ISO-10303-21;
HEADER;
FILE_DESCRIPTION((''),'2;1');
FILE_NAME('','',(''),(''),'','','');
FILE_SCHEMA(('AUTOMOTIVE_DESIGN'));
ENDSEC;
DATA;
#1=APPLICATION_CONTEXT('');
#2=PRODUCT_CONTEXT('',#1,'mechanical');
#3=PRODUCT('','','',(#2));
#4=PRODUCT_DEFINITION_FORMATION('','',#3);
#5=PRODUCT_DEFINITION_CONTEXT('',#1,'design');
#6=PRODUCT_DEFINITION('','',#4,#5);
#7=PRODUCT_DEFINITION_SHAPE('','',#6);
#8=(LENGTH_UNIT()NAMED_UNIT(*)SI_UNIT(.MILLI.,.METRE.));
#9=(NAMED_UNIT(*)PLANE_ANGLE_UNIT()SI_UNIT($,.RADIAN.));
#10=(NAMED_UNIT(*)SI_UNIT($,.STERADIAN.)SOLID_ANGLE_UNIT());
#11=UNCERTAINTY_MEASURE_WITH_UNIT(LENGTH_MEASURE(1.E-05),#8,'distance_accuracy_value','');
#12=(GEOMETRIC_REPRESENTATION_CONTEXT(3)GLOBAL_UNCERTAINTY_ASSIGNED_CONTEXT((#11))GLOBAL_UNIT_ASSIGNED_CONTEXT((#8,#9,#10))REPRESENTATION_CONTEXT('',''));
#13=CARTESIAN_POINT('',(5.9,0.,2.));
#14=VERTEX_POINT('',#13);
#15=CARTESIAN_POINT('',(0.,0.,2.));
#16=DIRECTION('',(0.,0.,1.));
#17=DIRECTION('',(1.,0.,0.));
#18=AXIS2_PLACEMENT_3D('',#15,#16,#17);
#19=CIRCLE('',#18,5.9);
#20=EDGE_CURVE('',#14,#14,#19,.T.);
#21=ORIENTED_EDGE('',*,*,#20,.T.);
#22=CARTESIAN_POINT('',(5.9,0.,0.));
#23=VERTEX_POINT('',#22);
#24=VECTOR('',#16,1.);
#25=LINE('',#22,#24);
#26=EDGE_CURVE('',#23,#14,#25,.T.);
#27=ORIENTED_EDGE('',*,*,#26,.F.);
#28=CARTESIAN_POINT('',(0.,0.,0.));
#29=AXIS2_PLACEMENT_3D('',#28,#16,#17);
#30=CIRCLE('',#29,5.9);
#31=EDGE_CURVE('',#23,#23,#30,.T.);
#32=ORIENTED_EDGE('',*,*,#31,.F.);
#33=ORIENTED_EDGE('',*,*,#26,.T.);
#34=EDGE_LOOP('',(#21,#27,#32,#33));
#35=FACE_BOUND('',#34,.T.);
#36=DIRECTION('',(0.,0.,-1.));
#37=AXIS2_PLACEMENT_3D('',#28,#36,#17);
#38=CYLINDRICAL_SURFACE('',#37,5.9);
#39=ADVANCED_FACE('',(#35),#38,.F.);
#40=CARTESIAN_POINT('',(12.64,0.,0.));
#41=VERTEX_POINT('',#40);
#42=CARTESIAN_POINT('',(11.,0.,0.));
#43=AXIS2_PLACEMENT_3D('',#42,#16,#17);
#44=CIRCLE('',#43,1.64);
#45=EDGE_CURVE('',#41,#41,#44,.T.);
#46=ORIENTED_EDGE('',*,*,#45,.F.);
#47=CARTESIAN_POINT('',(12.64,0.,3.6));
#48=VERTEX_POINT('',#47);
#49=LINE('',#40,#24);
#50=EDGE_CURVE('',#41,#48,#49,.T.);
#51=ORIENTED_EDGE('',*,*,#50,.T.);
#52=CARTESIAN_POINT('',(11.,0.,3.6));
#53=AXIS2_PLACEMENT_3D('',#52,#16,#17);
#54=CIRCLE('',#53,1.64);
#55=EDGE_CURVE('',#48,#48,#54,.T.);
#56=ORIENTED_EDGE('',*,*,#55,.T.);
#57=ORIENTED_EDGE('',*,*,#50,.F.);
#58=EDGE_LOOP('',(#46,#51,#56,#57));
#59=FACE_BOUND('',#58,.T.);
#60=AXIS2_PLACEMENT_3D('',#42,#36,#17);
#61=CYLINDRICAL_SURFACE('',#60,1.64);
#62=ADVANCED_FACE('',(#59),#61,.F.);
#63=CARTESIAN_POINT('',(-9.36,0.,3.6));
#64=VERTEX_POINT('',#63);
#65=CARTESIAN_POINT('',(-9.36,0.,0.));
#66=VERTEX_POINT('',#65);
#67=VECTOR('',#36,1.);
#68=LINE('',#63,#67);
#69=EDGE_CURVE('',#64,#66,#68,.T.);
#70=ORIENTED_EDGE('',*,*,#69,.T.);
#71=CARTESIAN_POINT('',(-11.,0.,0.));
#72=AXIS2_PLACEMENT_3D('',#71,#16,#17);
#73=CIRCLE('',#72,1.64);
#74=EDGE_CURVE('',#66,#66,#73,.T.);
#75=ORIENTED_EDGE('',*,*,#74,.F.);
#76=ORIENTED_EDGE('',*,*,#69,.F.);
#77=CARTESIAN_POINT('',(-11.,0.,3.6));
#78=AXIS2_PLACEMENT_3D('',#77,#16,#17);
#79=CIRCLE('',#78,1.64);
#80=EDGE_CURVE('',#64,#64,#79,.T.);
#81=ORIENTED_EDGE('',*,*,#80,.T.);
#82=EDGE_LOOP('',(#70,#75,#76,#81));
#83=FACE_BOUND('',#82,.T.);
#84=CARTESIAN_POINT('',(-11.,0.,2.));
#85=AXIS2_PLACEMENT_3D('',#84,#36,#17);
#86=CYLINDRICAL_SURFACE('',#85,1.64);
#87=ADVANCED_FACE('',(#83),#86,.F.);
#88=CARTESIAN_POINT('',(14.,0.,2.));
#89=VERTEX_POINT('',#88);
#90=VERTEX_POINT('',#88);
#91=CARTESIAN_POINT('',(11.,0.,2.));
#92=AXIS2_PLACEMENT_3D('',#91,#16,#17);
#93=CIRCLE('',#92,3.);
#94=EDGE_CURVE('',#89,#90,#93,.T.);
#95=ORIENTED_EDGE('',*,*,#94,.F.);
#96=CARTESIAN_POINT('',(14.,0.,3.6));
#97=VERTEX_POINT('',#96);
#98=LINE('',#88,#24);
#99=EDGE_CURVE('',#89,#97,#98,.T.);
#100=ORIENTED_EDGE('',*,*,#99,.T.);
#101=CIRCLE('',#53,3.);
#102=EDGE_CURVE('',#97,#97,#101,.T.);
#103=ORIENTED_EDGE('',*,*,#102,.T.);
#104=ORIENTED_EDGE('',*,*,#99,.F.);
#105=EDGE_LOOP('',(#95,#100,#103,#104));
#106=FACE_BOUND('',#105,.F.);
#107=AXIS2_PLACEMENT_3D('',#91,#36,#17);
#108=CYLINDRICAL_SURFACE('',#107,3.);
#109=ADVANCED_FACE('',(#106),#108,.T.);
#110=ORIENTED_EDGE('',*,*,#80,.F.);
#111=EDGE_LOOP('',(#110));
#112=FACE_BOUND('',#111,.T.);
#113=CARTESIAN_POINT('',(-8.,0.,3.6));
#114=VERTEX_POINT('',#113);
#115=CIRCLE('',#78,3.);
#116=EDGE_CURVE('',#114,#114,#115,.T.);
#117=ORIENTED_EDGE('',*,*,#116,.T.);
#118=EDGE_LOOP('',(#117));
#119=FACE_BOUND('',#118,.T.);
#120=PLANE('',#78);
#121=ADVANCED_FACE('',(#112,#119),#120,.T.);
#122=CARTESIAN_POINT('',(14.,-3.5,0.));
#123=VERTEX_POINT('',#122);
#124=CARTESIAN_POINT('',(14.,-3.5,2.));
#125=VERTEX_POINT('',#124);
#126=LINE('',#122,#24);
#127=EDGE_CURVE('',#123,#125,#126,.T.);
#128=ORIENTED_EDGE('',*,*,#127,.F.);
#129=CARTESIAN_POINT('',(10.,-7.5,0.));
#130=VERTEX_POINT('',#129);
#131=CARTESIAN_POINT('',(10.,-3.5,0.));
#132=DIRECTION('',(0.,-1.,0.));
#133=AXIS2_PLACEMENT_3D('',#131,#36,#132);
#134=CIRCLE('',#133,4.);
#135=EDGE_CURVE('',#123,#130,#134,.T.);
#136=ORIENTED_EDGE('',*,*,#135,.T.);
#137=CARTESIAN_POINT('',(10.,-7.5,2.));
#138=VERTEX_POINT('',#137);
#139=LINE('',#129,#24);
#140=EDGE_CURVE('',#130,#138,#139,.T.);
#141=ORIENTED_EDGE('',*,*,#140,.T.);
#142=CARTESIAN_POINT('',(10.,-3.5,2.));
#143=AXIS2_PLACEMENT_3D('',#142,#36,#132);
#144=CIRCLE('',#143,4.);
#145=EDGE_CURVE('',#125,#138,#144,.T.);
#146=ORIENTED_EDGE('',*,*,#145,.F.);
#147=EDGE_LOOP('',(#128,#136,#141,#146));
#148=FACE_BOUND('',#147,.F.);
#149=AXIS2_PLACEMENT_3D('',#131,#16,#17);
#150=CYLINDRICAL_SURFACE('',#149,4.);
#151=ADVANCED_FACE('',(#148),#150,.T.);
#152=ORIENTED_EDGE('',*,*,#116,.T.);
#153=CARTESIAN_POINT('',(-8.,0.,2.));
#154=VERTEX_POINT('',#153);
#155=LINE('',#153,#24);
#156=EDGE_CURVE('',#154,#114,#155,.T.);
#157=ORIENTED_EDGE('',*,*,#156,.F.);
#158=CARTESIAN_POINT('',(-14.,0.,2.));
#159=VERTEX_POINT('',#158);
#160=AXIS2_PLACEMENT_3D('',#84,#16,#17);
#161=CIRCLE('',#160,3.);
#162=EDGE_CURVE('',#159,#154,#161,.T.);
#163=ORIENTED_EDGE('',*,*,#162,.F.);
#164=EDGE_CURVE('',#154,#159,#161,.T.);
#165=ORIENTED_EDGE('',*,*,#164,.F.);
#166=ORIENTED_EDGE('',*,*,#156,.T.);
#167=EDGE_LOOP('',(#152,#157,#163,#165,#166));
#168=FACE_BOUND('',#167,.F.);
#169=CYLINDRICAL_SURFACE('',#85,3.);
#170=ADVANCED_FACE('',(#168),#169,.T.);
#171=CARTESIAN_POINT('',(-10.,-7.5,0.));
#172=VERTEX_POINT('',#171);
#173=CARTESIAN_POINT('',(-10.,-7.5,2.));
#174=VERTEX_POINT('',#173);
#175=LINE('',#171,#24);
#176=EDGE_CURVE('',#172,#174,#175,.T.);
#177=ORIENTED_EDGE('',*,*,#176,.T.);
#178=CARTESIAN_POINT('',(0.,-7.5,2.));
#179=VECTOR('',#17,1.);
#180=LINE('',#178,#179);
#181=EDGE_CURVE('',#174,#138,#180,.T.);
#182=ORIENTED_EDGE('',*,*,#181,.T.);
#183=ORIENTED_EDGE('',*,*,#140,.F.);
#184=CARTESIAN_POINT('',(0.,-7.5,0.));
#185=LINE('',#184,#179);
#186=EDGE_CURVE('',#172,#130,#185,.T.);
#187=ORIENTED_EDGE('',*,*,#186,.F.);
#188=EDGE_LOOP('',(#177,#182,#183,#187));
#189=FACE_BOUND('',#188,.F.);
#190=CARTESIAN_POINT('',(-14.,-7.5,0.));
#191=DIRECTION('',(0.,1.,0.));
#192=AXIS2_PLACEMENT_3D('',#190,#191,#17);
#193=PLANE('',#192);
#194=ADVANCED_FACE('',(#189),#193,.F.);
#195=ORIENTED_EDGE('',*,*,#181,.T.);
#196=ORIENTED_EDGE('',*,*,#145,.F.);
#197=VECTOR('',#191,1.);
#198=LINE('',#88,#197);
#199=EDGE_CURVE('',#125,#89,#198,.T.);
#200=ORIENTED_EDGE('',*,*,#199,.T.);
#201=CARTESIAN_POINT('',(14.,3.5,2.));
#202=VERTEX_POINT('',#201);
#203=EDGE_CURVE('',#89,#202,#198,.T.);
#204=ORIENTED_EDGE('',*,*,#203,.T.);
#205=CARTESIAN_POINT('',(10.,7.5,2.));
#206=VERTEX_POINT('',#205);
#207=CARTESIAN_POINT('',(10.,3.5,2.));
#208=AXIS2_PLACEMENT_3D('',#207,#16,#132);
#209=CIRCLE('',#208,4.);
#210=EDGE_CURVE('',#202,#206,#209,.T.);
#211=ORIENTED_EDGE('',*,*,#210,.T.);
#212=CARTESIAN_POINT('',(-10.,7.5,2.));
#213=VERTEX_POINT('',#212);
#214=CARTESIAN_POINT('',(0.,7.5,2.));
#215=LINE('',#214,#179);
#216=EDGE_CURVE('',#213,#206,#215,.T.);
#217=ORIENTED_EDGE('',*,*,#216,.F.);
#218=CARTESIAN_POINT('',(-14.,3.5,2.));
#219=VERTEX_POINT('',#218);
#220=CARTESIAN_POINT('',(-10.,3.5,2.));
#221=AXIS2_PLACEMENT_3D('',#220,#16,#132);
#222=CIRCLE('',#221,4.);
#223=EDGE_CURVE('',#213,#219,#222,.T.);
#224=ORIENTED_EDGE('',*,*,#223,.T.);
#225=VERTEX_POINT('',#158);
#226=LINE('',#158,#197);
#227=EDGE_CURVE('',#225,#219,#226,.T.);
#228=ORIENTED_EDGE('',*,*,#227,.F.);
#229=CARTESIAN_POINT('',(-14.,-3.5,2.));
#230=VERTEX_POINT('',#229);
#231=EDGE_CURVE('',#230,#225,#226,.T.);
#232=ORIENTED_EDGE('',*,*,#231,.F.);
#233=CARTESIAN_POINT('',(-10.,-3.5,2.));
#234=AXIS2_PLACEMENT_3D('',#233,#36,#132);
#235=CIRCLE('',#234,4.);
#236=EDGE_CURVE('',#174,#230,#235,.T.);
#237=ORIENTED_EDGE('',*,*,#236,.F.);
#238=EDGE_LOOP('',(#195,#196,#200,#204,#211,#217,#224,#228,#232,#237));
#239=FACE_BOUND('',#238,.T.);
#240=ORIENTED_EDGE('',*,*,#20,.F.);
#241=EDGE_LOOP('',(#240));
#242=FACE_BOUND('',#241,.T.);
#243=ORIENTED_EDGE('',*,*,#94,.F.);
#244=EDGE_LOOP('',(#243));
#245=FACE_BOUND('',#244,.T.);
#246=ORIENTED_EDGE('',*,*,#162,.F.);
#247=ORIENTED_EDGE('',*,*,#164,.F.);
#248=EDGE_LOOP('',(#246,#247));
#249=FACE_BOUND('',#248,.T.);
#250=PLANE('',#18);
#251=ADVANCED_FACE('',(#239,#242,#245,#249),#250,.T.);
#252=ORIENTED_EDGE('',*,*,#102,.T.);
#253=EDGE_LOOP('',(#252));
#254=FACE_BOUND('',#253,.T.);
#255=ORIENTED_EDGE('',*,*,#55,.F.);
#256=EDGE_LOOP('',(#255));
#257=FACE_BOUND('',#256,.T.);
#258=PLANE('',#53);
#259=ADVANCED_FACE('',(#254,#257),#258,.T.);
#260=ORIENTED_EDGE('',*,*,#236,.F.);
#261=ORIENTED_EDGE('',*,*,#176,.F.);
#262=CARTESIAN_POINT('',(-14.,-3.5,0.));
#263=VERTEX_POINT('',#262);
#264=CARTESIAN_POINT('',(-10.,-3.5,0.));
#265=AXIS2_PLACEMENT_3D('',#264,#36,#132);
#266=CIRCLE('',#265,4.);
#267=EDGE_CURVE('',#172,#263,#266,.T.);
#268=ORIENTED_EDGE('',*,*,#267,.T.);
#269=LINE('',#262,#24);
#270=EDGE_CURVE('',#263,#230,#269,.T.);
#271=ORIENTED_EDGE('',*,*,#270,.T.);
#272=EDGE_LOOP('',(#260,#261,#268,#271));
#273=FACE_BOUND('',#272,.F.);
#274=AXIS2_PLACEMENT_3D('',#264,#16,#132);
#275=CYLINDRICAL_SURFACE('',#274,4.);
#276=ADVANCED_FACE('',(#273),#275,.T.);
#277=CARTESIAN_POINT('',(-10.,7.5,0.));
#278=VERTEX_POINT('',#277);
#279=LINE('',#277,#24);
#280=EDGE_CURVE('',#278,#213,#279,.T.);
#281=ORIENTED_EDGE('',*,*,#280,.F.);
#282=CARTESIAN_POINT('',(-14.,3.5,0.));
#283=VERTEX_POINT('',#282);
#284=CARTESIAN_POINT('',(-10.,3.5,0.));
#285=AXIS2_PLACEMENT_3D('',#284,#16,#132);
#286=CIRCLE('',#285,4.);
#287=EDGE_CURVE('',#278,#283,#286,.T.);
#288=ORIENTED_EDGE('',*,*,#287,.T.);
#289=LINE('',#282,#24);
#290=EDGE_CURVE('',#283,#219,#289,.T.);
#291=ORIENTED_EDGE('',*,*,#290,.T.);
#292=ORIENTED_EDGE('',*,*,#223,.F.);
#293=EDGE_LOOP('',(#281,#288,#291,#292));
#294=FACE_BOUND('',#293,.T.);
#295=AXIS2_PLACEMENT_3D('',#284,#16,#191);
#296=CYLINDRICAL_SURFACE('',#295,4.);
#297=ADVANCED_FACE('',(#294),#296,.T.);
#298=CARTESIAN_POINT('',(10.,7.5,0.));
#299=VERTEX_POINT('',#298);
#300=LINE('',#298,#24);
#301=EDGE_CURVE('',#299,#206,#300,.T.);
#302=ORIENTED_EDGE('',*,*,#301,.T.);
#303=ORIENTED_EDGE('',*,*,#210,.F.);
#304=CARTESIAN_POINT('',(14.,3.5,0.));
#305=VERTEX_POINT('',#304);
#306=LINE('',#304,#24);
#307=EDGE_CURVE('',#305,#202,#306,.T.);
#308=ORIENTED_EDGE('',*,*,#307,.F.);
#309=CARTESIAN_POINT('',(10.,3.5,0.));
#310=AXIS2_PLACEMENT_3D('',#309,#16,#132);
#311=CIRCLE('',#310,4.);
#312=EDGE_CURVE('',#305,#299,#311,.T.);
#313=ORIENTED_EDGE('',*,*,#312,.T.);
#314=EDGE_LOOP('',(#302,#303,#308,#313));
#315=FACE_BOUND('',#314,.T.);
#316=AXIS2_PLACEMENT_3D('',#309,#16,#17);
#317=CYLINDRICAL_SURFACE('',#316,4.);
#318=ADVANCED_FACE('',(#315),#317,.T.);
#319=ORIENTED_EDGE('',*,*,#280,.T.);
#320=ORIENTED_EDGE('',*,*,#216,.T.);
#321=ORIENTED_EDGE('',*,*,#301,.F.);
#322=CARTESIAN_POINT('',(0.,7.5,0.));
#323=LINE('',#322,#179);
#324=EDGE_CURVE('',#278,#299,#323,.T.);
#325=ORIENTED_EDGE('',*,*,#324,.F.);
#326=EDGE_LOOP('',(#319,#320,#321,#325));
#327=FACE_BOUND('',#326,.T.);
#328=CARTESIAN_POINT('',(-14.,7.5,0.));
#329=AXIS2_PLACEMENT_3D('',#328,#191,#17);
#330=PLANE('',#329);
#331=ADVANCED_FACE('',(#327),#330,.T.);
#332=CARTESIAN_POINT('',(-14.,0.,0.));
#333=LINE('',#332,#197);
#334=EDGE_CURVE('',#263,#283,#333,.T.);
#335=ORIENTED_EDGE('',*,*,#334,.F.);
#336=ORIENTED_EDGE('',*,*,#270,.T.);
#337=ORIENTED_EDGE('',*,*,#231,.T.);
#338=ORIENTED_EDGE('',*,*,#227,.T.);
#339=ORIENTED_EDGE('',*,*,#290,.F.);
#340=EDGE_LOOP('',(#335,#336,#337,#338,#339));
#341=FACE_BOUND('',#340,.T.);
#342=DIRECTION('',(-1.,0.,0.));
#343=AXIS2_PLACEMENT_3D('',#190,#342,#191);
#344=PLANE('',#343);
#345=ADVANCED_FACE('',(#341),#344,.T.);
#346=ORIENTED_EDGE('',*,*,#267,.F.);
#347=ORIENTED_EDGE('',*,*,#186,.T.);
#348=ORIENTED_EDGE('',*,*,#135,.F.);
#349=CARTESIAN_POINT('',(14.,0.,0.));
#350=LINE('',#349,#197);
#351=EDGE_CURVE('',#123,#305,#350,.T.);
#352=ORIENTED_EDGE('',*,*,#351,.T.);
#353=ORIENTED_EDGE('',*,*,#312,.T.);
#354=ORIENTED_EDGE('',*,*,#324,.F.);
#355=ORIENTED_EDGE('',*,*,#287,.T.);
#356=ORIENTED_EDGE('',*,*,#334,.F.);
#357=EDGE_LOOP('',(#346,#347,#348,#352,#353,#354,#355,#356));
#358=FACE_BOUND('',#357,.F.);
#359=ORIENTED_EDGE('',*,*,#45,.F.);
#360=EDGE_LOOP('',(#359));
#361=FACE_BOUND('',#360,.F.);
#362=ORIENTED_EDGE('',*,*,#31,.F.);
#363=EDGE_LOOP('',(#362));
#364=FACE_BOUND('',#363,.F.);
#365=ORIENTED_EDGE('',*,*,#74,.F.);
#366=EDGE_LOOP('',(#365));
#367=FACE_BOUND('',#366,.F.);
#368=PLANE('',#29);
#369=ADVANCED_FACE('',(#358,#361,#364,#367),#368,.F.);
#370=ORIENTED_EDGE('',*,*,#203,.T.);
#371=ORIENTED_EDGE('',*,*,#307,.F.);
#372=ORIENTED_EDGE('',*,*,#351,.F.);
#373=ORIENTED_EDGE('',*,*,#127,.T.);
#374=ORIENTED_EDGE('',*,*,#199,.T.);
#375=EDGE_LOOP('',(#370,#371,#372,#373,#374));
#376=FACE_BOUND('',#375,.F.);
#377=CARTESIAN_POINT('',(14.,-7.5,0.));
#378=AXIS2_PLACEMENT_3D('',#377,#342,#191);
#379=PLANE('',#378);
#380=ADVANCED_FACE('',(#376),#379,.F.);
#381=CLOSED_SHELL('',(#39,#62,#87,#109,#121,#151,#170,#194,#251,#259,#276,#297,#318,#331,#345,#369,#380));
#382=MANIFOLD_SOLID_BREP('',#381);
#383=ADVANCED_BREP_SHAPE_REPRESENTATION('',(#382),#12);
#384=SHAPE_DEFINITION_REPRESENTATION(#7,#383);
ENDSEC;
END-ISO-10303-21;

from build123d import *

# Parameters (mm, degrees)
SKETCH_W      = 28
SKETCH_H      = 15
SKETCH_R      = 5.9
SKETCH_R_2    = 1.64
PAD_DEPTH     = 2
SKETCH001_R   = 3
SKETCH001_R_2 = 1.64
PAD001_DEPTH  = 1.6
FILLET_R      = 4


with BuildPart() as part:
    # Sketch → Pad (new body)
    with BuildSketch(Plane.XY):
        Rectangle(SKETCH_W, SKETCH_H)
        Circle(SKETCH_R, mode=Mode.SUBTRACT)
        with Locations((-11, 0)):
            Circle(SKETCH_R_2, mode=Mode.SUBTRACT)
        with Locations((11, 0)):
            Circle(SKETCH_R_2, mode=Mode.SUBTRACT)
    extrude(amount=PAD_DEPTH)

    # Sketch001 (on Face9 of Pad) → Pad001 (join)
    with BuildSketch(Plane.XY.offset(2)):
        with Locations((-11, 0)):
            Circle(SKETCH001_R)
        with Locations((-11, 0)):
            Circle(SKETCH001_R_2, mode=Mode.SUBTRACT)
        with Locations((11, 0)):
            Circle(SKETCH001_R)
        with Locations((11, 0)):
            Circle(SKETCH001_R_2, mode=Mode.SUBTRACT)
    extrude(amount=PAD001_DEPTH)

    # Fillet
    fillet_edges = [part.edges().sort_by_distance(p)[0] for p in [
        (14, -7.5, 1),
        (14, 7.5, 1),
        (-14, 7.5, 1),
        (-14, -7.5, 1),
    ]]
    fillet(fillet_edges, radius=FILLET_R)


solid = part.part
